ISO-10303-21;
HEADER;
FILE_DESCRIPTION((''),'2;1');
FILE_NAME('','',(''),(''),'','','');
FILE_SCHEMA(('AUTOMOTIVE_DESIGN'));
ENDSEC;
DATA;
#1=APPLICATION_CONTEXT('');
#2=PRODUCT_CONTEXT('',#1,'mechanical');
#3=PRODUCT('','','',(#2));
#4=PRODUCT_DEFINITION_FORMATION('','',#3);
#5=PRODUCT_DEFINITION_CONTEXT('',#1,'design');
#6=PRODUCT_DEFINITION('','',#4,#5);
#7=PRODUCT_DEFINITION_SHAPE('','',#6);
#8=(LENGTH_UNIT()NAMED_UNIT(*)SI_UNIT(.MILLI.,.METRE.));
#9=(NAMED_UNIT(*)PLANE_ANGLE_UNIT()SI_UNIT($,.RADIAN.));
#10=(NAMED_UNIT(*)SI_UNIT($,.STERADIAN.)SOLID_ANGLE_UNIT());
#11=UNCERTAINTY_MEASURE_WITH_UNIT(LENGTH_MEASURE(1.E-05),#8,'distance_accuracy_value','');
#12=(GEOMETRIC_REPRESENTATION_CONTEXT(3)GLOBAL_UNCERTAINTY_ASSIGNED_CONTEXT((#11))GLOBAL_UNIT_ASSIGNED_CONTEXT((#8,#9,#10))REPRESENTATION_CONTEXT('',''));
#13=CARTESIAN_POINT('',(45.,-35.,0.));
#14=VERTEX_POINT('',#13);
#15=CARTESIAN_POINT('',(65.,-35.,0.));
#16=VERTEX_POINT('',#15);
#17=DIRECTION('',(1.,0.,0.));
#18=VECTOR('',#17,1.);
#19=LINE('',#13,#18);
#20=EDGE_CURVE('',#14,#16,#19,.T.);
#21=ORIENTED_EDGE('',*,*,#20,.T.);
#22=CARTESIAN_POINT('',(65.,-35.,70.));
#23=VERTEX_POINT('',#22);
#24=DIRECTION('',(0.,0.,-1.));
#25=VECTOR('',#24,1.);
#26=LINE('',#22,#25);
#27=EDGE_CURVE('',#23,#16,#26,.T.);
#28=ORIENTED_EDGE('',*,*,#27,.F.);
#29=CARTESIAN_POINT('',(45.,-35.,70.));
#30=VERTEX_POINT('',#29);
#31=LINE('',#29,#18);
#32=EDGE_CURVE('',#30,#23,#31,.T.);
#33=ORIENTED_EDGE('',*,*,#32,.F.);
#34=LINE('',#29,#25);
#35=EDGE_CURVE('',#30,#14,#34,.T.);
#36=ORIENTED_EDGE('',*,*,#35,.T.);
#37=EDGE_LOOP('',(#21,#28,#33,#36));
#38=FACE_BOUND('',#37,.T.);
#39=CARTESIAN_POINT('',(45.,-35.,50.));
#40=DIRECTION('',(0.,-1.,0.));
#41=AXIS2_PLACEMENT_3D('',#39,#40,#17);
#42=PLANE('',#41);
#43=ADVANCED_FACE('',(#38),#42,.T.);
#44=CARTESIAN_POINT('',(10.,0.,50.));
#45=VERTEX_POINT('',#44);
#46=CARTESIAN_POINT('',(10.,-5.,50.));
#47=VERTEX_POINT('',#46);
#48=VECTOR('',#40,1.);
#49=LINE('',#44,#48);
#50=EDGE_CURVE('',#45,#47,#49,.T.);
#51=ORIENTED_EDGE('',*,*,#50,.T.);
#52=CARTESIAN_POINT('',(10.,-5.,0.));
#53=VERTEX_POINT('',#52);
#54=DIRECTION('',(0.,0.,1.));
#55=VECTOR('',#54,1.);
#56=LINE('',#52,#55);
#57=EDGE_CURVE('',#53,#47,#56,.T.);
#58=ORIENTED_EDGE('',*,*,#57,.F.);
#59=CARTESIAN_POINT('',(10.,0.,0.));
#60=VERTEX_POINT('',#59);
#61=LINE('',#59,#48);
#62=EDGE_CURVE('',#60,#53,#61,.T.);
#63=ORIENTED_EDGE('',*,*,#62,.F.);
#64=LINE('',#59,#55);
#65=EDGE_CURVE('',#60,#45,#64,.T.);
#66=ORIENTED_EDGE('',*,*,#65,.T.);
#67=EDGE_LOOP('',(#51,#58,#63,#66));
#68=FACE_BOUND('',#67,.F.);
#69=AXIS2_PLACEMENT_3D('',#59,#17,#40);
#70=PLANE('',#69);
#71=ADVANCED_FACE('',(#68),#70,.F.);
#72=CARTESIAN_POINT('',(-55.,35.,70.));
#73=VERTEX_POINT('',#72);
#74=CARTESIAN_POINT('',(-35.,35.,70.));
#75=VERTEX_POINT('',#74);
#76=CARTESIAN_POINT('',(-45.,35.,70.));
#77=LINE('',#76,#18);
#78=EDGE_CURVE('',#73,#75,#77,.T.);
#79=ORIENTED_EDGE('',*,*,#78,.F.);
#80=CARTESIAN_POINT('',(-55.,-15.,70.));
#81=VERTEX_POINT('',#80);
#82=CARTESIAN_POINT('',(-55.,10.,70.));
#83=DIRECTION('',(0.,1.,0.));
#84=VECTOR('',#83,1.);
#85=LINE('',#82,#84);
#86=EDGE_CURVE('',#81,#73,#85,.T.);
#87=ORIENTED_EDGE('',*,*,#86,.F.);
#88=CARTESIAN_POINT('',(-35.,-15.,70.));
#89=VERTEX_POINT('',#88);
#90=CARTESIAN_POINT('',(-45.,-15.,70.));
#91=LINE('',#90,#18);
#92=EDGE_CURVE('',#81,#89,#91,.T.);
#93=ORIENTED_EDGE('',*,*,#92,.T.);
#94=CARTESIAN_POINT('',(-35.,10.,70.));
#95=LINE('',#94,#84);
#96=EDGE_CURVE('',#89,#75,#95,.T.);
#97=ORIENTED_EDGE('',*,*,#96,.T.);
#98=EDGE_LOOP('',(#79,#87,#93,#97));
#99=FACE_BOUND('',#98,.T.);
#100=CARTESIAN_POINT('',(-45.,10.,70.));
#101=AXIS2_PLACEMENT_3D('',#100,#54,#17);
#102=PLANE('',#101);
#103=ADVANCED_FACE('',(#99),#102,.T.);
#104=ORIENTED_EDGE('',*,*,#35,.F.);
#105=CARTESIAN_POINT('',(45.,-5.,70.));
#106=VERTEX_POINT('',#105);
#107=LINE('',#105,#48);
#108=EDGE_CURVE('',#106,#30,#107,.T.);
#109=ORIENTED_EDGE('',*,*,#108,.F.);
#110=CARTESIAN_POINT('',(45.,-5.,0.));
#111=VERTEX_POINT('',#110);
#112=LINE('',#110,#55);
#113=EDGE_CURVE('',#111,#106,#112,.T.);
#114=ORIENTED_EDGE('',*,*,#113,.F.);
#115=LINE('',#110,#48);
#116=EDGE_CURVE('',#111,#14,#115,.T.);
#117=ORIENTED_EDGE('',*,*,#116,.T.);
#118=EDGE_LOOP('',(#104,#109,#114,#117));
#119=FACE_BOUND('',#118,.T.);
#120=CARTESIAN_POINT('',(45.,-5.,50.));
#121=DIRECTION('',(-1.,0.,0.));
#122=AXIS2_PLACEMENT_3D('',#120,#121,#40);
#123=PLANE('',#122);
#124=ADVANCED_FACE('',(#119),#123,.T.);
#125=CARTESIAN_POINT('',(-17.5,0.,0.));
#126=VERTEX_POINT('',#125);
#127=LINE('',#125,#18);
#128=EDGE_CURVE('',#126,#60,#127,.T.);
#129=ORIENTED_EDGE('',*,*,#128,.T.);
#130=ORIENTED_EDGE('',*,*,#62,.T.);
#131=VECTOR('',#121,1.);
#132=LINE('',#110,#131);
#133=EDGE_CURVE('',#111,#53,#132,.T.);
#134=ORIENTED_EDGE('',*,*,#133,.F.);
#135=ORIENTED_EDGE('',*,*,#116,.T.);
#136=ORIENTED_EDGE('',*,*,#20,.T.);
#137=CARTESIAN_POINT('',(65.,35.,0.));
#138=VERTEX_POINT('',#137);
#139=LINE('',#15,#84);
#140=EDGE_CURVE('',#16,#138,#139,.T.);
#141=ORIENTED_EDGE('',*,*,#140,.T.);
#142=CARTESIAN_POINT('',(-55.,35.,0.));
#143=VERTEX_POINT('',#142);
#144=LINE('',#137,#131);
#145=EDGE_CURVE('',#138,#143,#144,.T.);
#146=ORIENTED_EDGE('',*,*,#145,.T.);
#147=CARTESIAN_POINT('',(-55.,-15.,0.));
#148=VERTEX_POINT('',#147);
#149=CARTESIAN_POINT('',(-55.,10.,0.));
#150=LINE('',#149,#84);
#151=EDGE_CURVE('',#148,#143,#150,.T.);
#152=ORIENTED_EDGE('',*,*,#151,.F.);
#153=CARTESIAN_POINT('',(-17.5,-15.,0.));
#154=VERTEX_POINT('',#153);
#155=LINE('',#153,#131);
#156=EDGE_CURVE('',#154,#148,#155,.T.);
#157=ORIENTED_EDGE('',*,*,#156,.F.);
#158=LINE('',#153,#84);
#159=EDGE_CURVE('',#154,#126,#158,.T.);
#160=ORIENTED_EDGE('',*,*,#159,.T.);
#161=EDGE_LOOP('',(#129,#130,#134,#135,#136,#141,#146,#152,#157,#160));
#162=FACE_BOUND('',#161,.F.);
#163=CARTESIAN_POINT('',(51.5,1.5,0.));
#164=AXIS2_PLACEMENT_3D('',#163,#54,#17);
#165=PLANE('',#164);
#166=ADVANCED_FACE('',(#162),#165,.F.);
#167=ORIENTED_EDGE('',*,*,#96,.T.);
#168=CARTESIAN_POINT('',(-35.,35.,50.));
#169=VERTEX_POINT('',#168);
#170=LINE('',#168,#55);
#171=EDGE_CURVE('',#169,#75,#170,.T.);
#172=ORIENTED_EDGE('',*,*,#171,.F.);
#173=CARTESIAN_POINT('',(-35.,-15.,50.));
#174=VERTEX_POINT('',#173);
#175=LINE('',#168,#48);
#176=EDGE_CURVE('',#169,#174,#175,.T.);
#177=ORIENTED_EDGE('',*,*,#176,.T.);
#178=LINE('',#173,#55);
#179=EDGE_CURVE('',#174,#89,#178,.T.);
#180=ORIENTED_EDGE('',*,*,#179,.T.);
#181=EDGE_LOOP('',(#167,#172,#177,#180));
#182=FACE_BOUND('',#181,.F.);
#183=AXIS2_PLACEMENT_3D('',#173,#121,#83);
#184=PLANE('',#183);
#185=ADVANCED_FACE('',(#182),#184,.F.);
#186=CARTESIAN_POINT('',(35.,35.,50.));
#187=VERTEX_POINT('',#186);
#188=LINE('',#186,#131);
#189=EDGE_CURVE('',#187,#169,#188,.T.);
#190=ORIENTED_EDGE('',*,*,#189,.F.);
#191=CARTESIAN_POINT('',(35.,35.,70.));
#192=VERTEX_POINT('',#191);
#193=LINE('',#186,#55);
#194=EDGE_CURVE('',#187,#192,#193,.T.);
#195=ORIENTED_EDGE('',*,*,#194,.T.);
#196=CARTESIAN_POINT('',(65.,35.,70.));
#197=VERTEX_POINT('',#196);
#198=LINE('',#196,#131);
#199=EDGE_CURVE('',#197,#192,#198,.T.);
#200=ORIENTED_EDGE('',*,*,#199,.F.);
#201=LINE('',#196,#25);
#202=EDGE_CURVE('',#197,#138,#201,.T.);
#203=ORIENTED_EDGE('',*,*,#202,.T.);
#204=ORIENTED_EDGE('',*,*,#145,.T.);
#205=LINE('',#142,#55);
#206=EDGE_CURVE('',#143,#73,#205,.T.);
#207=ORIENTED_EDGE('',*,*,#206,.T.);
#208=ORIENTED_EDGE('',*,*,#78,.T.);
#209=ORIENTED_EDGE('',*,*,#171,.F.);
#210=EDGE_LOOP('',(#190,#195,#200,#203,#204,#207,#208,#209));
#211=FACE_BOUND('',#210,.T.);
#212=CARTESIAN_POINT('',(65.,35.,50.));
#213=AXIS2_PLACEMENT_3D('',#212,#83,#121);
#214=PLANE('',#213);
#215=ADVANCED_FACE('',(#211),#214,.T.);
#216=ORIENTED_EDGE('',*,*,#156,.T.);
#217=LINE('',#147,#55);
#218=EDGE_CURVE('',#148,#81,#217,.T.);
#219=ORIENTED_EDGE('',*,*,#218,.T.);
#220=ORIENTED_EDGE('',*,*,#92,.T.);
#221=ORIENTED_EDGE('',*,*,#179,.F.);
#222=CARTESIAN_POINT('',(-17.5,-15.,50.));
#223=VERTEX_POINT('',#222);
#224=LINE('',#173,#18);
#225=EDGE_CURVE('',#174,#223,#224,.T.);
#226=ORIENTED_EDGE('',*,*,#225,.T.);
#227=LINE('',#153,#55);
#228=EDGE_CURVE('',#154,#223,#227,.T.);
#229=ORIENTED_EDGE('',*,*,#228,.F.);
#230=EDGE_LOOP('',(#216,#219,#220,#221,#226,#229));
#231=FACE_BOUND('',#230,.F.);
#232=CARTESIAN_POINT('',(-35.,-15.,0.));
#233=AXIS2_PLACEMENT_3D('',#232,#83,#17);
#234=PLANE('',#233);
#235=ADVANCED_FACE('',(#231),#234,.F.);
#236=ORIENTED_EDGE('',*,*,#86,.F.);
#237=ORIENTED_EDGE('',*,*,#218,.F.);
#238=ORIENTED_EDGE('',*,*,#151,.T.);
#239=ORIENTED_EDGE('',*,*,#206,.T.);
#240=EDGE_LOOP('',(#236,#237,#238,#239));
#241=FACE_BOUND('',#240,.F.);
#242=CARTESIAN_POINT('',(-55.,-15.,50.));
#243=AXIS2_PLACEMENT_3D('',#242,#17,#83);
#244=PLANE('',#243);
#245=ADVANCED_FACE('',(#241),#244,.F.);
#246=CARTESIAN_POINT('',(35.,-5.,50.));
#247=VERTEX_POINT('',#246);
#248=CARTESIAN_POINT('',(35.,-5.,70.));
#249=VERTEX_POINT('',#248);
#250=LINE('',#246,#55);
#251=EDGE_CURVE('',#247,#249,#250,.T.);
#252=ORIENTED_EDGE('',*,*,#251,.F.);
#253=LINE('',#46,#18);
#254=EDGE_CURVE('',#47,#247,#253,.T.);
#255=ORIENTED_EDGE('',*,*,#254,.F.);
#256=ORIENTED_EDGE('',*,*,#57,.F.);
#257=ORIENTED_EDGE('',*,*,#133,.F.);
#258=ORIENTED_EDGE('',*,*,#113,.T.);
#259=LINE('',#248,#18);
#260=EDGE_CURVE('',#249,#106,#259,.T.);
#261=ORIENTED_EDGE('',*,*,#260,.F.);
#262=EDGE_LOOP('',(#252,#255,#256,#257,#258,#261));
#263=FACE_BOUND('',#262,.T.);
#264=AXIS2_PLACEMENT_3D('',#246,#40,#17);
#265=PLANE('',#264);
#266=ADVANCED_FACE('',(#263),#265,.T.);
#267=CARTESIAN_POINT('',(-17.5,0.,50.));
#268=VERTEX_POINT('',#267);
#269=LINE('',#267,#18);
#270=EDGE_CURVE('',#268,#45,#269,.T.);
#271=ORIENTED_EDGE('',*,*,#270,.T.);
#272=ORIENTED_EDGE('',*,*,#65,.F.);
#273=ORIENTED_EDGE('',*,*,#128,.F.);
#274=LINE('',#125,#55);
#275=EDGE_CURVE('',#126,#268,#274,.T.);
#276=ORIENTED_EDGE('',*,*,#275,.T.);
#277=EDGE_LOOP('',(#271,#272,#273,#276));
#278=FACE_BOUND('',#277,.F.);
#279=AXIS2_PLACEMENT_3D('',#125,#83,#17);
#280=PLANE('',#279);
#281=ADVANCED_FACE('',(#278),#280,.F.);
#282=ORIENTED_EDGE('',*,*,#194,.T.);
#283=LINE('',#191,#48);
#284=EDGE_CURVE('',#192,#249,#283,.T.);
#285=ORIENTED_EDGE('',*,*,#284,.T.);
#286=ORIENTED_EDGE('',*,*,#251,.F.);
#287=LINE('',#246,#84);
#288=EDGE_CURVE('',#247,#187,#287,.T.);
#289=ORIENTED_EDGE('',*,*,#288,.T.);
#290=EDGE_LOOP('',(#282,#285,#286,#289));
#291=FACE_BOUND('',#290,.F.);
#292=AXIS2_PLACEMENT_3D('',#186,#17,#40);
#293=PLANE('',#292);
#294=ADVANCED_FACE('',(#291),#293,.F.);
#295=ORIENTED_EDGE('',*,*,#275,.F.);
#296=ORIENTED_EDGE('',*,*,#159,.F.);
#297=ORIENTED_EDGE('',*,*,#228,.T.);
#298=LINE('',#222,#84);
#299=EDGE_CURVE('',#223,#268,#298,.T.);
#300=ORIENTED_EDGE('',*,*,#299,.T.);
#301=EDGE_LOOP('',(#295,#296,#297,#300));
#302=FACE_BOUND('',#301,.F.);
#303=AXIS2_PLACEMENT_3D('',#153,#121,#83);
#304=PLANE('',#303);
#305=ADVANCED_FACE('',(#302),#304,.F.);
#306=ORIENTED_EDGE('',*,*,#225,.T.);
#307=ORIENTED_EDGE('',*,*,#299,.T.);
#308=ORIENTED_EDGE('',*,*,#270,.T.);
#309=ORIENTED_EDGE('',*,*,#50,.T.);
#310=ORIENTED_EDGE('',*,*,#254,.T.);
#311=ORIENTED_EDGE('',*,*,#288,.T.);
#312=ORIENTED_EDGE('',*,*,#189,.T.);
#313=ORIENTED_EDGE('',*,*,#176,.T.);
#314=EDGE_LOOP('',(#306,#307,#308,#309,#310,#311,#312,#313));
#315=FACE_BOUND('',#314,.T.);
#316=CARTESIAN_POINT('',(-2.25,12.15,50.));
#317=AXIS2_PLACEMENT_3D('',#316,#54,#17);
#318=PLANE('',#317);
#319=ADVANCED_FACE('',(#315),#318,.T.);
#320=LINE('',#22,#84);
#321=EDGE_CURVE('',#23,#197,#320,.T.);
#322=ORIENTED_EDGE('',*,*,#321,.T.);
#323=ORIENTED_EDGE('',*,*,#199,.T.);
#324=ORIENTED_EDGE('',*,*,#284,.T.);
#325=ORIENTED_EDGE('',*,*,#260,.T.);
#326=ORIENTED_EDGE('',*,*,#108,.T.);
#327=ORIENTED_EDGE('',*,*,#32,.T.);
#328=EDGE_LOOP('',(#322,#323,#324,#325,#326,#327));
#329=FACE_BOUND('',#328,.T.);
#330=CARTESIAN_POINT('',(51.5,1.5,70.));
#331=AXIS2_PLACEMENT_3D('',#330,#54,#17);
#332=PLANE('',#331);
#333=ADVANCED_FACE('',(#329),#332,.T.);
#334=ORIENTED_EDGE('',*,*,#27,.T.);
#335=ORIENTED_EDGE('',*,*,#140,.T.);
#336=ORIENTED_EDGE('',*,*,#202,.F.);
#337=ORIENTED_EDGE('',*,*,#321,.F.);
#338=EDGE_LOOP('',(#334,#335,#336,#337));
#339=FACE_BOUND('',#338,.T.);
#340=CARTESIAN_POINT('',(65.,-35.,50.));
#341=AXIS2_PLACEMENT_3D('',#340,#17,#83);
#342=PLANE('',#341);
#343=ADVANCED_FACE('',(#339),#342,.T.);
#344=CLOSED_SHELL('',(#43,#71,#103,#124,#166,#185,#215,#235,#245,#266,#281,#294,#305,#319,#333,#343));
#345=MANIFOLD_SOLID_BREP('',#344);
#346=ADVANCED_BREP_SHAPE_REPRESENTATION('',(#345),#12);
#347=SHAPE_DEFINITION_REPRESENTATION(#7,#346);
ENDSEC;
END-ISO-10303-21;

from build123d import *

# Parameters (mm, degrees)
F1_DEPTH      = 50
F2_W          = 20
F2_H          = 50
F3_DEPTH      = 20
F3_DEPTH_BACK = 50


with BuildPart() as f1:
    # F0 (on Top) → F1 (new body)
    with BuildSketch(Plane.XY):
        Polygon((35, 35), (-35, 35), (-35, -15), (-17.5, -15), (-17.5, 0), (10, 0), (10, -5), (35, -5), align=None)
    extrude(amount=F1_DEPTH)

    # F2 (on face) → F3 (join, two sides)
    with BuildSketch(Plane.XY.offset(50)) as f3_sk:
        Polygon((65, 35), (35, 35), (35, -5), (45, -5), (45, -35), (65, -35), align=None)
        with Locations((-45, 10)):
            Rectangle(F2_W, F2_H)
    extrude(amount=F3_DEPTH)
    extrude(f3_sk.sketch, amount=-F3_DEPTH_BACK)


solid = f1.part
